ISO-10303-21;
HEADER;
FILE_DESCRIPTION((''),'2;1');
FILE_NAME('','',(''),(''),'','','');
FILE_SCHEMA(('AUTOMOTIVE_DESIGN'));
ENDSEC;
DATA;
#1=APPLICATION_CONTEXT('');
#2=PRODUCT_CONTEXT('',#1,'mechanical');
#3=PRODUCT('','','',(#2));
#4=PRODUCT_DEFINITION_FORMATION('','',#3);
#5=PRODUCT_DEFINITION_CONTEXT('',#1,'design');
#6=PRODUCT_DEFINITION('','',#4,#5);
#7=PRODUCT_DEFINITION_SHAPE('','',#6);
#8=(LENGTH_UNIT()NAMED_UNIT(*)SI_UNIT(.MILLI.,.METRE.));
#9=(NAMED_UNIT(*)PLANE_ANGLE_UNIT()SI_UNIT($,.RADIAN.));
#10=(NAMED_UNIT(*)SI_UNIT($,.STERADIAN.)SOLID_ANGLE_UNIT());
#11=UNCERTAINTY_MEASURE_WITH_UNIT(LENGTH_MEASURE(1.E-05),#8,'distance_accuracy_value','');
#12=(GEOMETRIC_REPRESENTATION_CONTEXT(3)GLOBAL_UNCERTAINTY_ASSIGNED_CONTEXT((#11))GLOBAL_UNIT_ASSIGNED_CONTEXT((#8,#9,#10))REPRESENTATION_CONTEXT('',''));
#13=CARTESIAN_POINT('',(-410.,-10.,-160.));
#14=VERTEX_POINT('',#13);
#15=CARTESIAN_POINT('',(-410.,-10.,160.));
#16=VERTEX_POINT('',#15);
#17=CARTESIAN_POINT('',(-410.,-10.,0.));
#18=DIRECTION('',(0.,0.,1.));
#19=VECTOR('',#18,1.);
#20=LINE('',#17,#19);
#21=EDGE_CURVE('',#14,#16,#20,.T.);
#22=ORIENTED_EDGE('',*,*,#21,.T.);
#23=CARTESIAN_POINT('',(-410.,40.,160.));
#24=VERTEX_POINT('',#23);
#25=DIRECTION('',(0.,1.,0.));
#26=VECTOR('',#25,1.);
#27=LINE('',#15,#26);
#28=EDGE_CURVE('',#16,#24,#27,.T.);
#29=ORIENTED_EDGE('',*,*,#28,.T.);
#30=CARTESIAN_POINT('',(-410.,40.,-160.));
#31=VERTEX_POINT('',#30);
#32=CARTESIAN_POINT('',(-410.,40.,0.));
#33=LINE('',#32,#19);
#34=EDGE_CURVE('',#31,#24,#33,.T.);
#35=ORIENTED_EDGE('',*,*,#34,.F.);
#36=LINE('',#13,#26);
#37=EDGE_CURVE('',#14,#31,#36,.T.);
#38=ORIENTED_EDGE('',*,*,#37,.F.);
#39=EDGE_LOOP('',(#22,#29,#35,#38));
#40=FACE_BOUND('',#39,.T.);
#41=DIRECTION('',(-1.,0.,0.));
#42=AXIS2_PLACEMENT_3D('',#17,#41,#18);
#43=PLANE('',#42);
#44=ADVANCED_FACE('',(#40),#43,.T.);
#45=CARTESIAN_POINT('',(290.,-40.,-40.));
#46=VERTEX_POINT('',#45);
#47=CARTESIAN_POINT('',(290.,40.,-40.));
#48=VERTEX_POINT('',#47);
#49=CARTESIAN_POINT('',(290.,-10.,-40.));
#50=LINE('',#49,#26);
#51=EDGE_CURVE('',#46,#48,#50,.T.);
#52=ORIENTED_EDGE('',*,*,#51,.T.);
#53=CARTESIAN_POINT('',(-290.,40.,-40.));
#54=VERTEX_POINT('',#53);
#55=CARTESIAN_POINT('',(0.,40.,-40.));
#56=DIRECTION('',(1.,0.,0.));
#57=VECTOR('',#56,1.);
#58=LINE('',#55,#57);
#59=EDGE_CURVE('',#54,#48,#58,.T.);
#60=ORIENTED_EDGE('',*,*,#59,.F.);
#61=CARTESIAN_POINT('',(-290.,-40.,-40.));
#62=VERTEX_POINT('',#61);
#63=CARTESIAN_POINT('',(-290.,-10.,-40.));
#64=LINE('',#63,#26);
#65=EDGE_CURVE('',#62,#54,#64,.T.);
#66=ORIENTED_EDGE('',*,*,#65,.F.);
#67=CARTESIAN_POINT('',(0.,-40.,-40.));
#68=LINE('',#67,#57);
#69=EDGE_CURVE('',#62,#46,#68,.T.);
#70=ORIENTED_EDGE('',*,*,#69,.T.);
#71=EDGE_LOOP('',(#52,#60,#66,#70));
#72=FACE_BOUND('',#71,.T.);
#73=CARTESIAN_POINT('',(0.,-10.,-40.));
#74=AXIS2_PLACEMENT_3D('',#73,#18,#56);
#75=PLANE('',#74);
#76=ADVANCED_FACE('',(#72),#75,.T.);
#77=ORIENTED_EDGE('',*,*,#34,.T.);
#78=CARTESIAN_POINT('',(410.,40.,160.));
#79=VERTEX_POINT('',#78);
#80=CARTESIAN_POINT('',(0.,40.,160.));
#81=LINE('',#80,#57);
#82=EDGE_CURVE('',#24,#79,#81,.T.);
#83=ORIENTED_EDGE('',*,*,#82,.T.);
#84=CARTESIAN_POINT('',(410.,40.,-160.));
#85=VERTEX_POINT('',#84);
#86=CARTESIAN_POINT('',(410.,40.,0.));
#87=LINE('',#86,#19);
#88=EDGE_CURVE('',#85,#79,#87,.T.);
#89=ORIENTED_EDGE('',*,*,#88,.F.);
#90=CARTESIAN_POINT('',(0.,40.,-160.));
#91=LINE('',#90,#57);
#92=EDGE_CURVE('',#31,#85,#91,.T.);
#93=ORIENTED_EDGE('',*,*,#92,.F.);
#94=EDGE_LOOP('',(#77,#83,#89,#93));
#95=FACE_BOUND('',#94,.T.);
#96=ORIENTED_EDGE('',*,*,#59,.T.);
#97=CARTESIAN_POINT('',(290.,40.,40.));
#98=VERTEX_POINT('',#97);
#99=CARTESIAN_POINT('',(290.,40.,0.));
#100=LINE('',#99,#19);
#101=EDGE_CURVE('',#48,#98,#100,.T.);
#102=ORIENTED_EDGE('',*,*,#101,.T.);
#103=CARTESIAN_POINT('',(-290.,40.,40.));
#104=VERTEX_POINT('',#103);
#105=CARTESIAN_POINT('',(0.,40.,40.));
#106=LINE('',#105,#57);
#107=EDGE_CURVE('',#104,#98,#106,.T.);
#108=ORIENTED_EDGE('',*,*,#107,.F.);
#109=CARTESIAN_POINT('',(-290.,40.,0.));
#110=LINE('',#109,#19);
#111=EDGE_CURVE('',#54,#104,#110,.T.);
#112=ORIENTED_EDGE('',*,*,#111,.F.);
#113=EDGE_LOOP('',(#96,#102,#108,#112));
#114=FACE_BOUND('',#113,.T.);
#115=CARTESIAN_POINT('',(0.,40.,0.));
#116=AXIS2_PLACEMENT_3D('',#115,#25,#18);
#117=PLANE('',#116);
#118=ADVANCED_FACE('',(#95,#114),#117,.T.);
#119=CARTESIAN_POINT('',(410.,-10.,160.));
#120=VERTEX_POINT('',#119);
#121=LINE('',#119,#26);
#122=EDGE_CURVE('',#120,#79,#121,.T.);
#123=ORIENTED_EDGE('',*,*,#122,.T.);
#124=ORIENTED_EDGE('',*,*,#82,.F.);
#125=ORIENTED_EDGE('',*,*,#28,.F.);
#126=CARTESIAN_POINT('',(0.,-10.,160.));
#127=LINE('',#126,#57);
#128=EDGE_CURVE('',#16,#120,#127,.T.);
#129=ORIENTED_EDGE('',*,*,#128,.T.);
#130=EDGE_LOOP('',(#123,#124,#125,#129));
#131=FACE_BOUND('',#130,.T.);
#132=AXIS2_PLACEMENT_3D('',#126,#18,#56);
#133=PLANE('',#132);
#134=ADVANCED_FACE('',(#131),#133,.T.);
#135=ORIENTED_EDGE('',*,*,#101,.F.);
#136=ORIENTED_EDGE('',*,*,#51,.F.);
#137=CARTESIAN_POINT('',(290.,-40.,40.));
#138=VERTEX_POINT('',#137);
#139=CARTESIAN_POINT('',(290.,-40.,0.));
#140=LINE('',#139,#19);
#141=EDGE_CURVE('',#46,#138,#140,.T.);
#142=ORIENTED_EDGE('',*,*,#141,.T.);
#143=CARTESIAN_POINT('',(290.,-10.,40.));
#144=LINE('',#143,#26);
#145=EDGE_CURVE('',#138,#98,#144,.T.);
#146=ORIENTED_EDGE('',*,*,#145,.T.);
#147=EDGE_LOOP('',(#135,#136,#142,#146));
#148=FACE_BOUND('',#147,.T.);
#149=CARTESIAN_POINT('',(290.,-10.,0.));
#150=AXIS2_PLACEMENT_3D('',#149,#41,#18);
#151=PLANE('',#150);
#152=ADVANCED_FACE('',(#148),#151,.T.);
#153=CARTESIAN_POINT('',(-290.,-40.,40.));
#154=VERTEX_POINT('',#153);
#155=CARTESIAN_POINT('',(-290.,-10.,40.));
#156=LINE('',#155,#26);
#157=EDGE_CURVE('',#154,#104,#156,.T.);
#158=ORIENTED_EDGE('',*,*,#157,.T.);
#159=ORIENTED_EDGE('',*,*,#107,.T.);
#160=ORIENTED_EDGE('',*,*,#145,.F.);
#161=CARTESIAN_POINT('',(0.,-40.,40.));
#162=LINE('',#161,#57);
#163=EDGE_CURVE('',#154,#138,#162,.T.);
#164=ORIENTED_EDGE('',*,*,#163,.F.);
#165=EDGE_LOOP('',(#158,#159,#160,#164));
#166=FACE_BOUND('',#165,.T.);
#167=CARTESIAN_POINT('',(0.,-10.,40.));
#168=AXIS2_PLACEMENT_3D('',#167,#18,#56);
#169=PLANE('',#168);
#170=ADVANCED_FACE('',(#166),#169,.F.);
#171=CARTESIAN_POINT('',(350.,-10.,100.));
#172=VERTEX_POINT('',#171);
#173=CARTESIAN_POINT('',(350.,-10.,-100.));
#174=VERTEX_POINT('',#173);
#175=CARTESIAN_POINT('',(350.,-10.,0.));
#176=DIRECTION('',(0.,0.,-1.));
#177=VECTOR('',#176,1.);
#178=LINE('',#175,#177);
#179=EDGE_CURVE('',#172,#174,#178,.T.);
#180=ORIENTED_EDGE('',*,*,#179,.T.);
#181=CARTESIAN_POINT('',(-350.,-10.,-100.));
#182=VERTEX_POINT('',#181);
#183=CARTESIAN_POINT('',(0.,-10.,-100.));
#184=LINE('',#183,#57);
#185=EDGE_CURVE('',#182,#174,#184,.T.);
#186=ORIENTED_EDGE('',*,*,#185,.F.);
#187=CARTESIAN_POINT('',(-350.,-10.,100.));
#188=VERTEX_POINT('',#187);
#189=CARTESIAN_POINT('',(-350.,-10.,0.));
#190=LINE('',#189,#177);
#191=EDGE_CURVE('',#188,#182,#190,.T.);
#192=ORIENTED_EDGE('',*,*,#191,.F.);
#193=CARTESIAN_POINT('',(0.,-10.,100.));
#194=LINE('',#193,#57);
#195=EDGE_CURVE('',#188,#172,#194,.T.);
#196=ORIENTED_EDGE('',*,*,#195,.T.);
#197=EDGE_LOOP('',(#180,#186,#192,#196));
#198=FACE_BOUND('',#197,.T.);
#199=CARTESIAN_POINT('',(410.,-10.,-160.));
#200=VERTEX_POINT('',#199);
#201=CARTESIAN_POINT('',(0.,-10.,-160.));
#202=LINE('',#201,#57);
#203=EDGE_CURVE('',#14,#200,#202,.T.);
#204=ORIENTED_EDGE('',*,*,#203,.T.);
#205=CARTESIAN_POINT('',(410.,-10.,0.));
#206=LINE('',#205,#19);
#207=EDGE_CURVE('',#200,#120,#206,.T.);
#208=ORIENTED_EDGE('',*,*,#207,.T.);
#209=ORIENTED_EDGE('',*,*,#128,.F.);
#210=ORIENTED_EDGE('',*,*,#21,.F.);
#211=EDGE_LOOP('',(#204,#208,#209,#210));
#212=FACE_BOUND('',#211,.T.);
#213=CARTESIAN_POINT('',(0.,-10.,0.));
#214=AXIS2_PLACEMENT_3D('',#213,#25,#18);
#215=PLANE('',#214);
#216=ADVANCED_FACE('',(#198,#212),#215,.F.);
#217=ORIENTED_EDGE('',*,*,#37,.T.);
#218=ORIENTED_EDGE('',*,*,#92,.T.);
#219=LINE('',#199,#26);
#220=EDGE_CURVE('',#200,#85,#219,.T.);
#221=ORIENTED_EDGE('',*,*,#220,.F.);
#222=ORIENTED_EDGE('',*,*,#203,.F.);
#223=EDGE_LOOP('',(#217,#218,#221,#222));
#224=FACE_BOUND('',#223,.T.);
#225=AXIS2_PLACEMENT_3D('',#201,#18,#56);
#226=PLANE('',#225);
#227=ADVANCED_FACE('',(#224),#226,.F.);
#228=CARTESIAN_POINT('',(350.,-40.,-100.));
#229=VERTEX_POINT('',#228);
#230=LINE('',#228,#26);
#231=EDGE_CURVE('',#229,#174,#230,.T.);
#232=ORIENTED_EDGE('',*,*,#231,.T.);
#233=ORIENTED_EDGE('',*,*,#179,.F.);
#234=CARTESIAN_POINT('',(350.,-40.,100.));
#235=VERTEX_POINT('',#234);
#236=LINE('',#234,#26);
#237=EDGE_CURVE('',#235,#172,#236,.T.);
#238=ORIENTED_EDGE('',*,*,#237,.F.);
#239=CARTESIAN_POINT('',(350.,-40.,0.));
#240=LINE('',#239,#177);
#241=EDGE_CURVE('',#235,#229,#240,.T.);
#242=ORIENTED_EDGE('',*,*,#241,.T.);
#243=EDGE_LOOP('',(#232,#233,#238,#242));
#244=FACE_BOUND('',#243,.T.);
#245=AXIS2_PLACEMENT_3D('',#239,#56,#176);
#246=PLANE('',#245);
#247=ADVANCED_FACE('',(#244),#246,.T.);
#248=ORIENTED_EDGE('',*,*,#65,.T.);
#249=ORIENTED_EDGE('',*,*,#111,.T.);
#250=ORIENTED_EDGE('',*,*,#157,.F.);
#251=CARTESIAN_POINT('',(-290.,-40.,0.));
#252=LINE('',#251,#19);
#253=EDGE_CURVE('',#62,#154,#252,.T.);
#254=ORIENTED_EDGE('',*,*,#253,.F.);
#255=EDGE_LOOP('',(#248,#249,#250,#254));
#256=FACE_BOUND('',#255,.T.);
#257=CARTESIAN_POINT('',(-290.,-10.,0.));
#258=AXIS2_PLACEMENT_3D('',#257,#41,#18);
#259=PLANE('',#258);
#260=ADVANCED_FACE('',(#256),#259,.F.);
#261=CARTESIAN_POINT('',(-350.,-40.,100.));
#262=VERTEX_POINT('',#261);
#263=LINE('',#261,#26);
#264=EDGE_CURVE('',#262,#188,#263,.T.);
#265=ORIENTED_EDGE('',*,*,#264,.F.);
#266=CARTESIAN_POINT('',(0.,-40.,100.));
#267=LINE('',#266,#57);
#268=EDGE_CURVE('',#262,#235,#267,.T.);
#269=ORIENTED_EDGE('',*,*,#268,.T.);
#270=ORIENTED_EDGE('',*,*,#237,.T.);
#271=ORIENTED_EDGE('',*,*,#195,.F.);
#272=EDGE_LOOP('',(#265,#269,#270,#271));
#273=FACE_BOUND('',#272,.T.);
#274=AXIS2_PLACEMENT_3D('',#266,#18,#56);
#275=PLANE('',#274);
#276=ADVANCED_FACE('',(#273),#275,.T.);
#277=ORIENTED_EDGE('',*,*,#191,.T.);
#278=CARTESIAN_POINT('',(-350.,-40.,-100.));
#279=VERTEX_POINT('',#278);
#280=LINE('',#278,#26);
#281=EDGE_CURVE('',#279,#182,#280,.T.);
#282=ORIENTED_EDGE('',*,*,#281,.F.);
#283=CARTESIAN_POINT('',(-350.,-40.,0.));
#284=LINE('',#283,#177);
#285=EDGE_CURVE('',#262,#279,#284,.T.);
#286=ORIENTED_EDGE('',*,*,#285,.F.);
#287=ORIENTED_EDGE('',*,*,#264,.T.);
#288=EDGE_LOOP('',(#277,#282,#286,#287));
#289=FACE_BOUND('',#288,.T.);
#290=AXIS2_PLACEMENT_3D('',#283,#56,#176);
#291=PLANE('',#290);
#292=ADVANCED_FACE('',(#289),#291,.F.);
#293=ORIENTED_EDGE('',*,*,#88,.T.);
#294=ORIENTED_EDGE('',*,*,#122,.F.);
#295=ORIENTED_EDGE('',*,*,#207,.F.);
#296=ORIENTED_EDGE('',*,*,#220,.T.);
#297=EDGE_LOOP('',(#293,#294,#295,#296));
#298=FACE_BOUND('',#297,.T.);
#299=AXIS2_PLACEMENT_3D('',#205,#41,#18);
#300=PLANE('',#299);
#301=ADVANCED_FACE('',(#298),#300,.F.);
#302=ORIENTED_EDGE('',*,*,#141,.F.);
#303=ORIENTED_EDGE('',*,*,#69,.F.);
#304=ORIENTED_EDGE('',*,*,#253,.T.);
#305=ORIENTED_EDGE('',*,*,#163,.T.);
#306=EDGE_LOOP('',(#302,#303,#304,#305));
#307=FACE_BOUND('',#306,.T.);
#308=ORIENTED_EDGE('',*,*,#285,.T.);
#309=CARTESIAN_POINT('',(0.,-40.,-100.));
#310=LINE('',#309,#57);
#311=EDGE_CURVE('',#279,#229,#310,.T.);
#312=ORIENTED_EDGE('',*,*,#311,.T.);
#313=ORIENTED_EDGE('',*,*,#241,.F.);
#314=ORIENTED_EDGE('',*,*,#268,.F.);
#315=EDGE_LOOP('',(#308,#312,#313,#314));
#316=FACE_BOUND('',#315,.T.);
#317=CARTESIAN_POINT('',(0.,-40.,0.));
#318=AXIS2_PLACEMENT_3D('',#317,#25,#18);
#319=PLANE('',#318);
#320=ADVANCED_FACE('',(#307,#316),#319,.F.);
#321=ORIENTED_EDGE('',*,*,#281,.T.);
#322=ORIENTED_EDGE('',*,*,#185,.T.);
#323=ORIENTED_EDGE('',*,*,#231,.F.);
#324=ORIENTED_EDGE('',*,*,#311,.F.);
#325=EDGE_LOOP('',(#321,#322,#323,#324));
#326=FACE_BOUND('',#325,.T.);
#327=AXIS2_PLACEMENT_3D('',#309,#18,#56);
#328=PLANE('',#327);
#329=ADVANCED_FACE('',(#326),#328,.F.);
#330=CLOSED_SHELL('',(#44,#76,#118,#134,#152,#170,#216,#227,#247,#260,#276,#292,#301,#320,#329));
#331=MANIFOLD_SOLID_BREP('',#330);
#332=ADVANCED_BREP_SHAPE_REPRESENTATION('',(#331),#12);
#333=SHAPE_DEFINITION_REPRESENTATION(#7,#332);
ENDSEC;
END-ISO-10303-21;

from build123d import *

# Parameters (mm, degrees)
BOSS_EXTRUDE1_DEPTH      = 40
BOSS_EXTRUDE1_DEPTH_BACK = 10
SKETCH1_W                = 820
SKETCH1_H                = 320
SKETCH1_W_2              = 580
SKETCH1_H_2              = 80
SKETCH1_4_W              = 700
SKETCH1_4_H              = 200
SKETCH1_4_W_2            = 580
SKETCH1_4_H_2            = 80
BOSS_EXTRUDE2_DEPTH      = 40


with BuildPart() as part:
    # Sketch1 → Boss-Extrude1 (new, two sides: drawn at the far end of the back side and taken through both)
    with BuildSketch(Plane(origin=(0, 0, 0), x_dir=(1, 0, 0), z_dir=(0, 1, 0)).offset(-BOSS_EXTRUDE1_DEPTH_BACK)):
        Rectangle(SKETCH1_W, SKETCH1_H)
        Rectangle(SKETCH1_W_2, SKETCH1_H_2, mode=Mode.SUBTRACT)
    extrude(amount=BOSS_EXTRUDE1_DEPTH + BOSS_EXTRUDE1_DEPTH_BACK)

    # Sketch1<4> → Boss-Extrude2 (add)
    with BuildSketch(Plane(origin=(0, 0, 0), x_dir=(1, 0, 0), z_dir=(0, 1, 0))):
        Rectangle(SKETCH1_4_W, SKETCH1_4_H)
        Rectangle(SKETCH1_4_W_2, SKETCH1_4_H_2, mode=Mode.SUBTRACT)
    extrude(amount=-BOSS_EXTRUDE2_DEPTH)


solid = part.part
